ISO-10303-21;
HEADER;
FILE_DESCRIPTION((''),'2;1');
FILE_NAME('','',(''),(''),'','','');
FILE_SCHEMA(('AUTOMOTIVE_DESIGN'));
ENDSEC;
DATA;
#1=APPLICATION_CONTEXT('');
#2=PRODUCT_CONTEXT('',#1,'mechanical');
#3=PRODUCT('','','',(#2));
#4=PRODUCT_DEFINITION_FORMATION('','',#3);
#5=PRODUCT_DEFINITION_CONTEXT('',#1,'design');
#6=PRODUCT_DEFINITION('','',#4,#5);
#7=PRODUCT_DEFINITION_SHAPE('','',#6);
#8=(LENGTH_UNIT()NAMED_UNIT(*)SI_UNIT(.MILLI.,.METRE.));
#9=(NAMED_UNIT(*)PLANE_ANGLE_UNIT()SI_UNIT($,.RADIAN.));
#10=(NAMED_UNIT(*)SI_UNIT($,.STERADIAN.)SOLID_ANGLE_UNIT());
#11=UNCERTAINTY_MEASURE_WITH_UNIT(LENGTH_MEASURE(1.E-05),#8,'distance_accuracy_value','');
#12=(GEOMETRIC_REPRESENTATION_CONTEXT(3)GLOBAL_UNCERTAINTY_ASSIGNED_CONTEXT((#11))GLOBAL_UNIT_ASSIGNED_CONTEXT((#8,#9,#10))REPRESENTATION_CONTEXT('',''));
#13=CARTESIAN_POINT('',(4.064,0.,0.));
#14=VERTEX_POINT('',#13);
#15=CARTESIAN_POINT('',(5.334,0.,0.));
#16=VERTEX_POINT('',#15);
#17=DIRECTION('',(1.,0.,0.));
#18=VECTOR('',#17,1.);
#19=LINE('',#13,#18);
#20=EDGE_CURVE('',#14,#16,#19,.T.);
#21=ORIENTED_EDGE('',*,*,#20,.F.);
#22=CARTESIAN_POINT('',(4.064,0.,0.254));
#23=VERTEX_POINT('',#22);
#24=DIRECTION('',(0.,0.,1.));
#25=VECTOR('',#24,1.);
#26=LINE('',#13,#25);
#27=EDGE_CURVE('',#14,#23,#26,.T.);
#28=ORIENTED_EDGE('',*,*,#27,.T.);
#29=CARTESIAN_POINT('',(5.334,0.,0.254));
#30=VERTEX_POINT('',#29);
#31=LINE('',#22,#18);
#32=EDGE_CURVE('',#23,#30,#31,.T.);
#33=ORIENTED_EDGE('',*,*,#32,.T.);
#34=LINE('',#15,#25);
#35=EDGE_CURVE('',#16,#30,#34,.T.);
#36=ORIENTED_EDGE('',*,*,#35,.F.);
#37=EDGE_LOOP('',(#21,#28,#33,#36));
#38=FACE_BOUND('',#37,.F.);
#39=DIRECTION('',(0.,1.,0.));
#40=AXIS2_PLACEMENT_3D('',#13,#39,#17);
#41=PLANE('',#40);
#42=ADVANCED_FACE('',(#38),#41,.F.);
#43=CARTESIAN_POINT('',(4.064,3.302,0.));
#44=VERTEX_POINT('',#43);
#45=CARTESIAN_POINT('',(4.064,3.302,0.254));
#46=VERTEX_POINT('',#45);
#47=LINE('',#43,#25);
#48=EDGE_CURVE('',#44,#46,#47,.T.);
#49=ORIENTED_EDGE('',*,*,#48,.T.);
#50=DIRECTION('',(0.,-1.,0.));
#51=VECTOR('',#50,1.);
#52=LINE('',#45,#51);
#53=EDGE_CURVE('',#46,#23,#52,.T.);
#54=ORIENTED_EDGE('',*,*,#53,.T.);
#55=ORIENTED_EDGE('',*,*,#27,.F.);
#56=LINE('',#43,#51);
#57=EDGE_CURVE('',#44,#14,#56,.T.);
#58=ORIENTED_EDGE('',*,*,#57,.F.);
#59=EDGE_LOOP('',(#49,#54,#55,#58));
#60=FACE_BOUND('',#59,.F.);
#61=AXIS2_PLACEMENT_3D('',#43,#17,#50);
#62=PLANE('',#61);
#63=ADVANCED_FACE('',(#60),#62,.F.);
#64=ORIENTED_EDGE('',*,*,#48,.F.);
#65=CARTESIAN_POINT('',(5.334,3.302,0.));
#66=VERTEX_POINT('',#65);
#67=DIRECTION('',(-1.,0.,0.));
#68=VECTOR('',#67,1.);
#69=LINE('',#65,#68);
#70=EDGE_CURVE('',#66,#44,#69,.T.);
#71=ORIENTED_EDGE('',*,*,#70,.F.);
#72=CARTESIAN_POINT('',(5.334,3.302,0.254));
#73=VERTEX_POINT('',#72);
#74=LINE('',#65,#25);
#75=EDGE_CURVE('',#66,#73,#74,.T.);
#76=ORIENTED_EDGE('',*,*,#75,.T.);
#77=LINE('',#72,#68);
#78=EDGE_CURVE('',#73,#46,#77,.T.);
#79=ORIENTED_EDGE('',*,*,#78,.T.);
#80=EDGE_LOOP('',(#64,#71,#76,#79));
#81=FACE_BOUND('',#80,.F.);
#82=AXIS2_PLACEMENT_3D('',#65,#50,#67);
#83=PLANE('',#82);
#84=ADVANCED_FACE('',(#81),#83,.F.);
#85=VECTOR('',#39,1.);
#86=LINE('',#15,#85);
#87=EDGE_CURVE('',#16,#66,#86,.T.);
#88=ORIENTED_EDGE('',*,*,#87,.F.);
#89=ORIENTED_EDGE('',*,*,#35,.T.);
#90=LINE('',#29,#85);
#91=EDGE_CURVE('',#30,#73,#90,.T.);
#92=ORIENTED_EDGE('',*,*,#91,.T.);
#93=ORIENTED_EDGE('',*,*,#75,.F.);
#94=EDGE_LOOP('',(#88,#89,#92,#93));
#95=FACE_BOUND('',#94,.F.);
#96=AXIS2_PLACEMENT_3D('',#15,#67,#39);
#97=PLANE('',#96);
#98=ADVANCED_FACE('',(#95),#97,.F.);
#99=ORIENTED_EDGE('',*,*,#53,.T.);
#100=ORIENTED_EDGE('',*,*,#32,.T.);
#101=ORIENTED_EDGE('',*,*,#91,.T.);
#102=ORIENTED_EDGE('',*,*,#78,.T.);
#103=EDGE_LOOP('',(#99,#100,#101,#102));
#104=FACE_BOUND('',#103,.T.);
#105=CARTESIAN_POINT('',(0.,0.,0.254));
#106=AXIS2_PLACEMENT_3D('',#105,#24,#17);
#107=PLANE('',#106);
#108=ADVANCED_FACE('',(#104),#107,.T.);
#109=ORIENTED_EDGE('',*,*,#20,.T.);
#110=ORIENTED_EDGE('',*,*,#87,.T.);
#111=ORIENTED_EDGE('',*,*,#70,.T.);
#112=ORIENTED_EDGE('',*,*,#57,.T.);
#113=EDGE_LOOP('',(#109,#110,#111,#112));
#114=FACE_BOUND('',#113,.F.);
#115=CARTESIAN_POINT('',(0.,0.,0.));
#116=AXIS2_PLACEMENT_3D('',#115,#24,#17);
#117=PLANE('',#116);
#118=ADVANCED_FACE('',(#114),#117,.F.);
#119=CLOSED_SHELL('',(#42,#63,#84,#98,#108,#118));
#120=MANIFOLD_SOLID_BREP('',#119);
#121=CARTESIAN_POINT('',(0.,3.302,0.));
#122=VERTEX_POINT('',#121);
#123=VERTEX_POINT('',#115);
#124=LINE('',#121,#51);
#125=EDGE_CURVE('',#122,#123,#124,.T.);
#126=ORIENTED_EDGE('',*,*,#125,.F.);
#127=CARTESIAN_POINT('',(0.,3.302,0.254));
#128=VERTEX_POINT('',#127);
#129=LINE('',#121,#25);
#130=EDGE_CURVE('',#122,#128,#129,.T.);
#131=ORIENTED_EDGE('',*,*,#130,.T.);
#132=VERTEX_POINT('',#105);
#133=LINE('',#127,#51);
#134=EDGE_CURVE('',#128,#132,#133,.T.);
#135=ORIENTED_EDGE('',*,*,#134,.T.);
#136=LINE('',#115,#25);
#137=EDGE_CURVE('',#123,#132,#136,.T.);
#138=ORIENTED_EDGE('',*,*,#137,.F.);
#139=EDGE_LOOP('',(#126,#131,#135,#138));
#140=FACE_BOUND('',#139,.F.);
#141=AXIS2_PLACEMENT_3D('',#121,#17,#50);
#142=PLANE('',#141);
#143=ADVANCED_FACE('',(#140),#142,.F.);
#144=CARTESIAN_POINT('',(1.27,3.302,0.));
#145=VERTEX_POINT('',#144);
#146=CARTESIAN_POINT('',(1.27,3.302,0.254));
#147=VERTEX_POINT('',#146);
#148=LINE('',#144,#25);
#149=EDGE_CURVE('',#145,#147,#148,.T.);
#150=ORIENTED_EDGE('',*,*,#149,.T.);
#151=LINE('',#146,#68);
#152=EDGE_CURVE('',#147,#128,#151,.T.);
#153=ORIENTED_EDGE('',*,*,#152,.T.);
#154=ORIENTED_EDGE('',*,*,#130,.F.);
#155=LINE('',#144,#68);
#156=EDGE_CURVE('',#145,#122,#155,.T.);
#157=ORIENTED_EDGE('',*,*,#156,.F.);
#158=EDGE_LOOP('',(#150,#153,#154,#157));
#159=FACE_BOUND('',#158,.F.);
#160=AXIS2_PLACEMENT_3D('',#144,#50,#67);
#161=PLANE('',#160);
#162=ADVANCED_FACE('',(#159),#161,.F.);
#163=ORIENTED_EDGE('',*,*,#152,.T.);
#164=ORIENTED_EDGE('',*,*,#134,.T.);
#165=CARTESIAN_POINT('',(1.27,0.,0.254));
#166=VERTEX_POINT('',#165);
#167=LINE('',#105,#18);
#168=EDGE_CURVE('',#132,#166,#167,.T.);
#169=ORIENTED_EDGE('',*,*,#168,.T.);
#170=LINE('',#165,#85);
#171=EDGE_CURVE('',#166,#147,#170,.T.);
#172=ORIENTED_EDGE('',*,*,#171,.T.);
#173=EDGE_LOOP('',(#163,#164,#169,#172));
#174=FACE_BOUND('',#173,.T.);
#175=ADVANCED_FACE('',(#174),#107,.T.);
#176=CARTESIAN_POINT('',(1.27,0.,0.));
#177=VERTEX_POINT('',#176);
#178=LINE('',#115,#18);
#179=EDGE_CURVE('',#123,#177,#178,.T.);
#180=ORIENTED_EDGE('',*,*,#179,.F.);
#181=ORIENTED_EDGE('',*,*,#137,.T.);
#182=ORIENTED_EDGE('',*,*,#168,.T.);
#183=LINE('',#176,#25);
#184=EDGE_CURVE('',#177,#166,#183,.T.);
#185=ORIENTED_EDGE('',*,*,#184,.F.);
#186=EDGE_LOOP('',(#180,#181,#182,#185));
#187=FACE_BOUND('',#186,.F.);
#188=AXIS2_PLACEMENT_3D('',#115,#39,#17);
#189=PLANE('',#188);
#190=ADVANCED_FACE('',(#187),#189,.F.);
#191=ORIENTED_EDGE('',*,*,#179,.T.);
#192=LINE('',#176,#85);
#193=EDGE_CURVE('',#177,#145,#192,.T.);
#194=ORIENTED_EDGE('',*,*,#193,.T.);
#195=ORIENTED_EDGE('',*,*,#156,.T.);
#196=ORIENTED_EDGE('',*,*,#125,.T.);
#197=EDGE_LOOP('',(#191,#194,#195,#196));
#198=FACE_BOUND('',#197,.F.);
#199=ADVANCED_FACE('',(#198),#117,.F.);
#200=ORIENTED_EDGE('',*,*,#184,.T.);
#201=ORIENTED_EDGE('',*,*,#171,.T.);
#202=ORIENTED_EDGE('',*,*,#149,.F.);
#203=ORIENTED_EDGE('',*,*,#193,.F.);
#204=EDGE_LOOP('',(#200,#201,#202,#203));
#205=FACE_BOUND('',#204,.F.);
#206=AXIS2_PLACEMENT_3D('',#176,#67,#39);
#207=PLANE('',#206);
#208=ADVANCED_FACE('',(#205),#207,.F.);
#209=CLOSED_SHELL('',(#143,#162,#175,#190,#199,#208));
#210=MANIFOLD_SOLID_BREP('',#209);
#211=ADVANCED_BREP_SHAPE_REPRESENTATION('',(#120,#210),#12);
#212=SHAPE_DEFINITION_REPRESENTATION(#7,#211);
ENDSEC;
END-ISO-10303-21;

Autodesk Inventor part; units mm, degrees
ref_plane "YZ Plane" through (0, 0, 0) normal (1, 0, 0) x (0, 1, 0)
ref_plane "XZ Plane" through (0, 0, 0) normal (0, 1, 0) x (-1, 0, 0)
ref_plane "XY Plane" through (0, 0, 0) normal (0, 0, 1) x (1, 0, 0)
sketch "Sketch1" plane through (0, 0, 0) normal (0, 0, 1) x (1, 0, 0)
  line L0 (0, 0) -> (1.27, 0)
  line L1 (1.27, 0) -> (1.27, 3.302)
  line L2 (1.27, 3.302) -> (0, 3.302)
  line L3 (0, 3.302) -> (0, 0)
  line L4 (4.064, 0) -> (5.334, 0)
  line L5 (5.334, 0) -> (5.334, 3.302)
  line L6 (5.334, 3.302) -> (4.064, 3.302)
  line L7 (4.064, 3.302) -> (4.064, 0)
  dimension "d0" = 1.27
  dimension "d1" = 3.302
  dimension "d2" = 1.27
  dimension "d3" = 3.302
  dimension "d4" = 5.334
extrude "Extrusion1" add sketch "Sketch1" along normal blind 0.254
properties part number "bottom_plates" material "Gold"
